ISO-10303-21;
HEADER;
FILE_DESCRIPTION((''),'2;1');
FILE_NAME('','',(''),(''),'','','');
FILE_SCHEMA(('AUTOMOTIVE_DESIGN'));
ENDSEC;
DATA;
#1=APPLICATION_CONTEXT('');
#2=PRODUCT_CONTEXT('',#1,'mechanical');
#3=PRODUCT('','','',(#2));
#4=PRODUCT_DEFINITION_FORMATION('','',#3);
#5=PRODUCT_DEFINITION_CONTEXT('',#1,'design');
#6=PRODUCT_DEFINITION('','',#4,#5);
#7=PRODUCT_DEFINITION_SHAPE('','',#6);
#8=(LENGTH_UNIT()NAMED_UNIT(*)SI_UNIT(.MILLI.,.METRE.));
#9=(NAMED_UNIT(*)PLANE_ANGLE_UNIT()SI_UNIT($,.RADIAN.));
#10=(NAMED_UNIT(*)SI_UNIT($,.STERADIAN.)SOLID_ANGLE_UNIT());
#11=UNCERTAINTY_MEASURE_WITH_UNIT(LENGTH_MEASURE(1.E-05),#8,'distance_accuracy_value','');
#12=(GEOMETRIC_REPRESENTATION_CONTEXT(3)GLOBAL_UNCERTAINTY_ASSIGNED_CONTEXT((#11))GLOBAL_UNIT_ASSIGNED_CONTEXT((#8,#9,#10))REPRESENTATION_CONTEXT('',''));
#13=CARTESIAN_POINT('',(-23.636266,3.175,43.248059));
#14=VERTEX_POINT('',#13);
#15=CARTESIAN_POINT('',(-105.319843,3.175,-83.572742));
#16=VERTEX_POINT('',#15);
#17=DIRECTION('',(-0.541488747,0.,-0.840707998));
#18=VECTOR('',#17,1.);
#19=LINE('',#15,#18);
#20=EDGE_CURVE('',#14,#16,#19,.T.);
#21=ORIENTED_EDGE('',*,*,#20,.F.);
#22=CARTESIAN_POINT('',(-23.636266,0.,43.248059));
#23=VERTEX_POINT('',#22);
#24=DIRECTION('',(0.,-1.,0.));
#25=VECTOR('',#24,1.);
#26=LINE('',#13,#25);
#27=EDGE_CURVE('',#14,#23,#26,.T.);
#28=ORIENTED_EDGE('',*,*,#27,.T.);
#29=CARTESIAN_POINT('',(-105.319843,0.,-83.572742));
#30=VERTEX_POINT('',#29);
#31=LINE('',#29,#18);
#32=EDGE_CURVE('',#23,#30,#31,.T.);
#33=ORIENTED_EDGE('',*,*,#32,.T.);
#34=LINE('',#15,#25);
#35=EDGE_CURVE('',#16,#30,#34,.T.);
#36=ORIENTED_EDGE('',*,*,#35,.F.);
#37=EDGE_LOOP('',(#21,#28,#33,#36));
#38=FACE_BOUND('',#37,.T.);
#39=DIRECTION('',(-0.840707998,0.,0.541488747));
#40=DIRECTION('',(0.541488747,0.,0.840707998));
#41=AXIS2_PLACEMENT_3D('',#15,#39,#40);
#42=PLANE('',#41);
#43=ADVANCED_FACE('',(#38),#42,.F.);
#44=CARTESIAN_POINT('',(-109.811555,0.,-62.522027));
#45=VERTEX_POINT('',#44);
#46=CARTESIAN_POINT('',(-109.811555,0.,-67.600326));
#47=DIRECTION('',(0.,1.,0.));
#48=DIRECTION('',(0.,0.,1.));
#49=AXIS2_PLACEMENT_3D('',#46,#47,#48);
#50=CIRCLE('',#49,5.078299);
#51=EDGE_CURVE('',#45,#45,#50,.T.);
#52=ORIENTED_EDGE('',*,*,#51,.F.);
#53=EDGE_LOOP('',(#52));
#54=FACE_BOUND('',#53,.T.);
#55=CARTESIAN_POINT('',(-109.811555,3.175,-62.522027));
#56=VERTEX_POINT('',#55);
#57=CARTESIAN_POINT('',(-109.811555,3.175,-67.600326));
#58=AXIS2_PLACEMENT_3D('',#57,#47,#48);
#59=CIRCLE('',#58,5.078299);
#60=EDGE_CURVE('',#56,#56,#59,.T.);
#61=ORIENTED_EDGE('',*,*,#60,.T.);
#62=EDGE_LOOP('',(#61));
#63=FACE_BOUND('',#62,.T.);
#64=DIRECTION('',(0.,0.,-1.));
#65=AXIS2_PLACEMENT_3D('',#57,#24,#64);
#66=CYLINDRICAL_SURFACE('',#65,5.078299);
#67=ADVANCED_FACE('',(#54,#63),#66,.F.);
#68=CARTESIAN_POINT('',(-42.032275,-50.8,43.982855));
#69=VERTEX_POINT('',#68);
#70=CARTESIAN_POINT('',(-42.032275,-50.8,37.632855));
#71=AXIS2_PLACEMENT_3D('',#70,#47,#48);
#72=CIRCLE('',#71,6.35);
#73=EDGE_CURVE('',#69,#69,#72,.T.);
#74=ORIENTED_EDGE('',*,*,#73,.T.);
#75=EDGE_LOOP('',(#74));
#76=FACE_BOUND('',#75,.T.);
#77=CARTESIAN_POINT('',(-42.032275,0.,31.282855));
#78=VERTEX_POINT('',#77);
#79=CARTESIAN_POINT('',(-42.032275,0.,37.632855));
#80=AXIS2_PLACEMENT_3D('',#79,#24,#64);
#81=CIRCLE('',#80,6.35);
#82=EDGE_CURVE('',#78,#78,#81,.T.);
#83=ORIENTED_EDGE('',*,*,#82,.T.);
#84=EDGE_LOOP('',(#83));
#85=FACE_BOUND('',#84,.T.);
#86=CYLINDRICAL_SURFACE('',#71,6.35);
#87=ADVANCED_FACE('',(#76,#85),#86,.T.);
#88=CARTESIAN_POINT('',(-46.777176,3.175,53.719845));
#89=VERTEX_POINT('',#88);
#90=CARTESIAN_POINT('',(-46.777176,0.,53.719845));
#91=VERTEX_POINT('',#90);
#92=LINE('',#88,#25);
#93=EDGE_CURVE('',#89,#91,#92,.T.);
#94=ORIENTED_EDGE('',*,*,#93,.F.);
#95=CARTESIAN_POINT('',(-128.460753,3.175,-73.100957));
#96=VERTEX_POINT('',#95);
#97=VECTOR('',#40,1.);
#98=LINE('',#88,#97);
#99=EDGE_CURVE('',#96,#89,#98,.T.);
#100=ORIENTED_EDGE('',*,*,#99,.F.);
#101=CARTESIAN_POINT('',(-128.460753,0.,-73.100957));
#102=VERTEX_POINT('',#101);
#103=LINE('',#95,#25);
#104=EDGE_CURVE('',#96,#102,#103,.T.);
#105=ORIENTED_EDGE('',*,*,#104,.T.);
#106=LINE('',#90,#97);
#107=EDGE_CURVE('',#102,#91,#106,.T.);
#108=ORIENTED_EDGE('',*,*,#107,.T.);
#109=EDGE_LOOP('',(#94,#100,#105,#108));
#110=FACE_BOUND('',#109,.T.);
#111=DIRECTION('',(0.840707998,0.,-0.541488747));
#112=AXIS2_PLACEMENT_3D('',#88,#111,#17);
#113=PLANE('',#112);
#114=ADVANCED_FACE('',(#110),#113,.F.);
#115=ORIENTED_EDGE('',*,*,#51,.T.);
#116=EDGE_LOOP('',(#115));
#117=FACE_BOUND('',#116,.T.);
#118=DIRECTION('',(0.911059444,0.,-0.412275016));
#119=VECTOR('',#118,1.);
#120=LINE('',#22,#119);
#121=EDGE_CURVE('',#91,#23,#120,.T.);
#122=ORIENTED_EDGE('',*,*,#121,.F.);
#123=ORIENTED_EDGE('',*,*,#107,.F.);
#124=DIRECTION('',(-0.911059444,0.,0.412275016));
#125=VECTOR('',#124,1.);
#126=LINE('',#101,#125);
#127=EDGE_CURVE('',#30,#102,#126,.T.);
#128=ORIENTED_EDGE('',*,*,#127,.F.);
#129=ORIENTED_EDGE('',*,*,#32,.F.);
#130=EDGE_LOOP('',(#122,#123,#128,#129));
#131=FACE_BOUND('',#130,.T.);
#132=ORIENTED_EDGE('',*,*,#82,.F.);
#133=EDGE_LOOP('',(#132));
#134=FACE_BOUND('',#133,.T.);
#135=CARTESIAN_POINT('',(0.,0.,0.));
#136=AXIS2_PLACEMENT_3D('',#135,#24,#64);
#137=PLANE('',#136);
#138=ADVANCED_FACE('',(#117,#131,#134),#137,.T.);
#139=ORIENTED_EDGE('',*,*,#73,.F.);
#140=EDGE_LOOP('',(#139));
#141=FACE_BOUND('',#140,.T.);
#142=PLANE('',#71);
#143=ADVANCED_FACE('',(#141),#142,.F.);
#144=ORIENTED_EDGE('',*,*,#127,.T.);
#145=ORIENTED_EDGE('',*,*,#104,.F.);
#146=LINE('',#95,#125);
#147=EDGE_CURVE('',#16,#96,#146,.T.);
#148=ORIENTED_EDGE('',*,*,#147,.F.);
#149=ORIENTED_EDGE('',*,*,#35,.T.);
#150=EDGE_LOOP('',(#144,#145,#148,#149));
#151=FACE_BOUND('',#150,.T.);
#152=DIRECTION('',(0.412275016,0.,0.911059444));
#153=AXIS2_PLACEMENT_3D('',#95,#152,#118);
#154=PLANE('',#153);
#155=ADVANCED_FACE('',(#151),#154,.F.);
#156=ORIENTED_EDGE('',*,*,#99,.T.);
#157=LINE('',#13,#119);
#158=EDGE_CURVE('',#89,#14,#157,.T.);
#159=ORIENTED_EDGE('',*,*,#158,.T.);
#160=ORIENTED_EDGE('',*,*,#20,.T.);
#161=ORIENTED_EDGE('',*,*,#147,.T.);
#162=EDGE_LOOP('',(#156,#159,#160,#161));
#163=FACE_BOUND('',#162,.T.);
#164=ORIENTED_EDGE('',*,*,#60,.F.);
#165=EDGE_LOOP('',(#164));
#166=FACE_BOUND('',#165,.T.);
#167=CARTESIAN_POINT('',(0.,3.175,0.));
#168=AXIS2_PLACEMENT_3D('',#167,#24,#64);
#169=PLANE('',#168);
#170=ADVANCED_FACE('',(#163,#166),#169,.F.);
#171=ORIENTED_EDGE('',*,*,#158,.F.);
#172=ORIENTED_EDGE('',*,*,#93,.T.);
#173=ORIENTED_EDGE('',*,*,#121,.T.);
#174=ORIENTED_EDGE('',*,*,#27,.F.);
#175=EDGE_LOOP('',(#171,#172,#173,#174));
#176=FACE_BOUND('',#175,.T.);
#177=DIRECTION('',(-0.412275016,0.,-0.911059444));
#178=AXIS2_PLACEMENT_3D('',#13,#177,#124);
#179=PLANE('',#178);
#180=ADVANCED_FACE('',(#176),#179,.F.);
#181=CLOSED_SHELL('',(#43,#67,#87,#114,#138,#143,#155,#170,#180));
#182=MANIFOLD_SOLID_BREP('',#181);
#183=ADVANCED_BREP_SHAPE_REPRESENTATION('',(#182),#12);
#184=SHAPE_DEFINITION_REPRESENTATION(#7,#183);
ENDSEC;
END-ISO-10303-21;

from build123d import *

# Parameters (mm, degrees)
SKETCH1_R           = 5.078298903
BOSS_EXTRUDE1_DEPTH = 3.175
SKETCH2_R           = 6.35
BOSS_EXTRUDE2_DEPTH = 53.975


with BuildPart() as part:
    # Sketch1 → Boss-Extrude1 (new body)
    with BuildSketch(Plane(origin=(0, 0, 0), x_dir=(1, 0, 0), z_dir=(0, 1, 0))):
        Polygon((-46.777175674, -53.719844845), (-128.460753109, 73.100956593), (-105.319843222, 83.572742001), (-23.636265787, -43.248059437), align=None)
        with Locations((-109.811555345, 67.600325735)):
            Circle(SKETCH1_R, mode=Mode.SUBTRACT)
    extrude(amount=BOSS_EXTRUDE1_DEPTH)

    # Sketch2 → Boss-Extrude2 (add)
    with BuildSketch(Plane(origin=(0, 3.175, 0), x_dir=(1, 0, 0), z_dir=(0, 1, 0))):
        with Locations((-42.032274904, -37.632854988)):
            Circle(SKETCH2_R)
    extrude(amount=-BOSS_EXTRUDE2_DEPTH)


solid = part.part
